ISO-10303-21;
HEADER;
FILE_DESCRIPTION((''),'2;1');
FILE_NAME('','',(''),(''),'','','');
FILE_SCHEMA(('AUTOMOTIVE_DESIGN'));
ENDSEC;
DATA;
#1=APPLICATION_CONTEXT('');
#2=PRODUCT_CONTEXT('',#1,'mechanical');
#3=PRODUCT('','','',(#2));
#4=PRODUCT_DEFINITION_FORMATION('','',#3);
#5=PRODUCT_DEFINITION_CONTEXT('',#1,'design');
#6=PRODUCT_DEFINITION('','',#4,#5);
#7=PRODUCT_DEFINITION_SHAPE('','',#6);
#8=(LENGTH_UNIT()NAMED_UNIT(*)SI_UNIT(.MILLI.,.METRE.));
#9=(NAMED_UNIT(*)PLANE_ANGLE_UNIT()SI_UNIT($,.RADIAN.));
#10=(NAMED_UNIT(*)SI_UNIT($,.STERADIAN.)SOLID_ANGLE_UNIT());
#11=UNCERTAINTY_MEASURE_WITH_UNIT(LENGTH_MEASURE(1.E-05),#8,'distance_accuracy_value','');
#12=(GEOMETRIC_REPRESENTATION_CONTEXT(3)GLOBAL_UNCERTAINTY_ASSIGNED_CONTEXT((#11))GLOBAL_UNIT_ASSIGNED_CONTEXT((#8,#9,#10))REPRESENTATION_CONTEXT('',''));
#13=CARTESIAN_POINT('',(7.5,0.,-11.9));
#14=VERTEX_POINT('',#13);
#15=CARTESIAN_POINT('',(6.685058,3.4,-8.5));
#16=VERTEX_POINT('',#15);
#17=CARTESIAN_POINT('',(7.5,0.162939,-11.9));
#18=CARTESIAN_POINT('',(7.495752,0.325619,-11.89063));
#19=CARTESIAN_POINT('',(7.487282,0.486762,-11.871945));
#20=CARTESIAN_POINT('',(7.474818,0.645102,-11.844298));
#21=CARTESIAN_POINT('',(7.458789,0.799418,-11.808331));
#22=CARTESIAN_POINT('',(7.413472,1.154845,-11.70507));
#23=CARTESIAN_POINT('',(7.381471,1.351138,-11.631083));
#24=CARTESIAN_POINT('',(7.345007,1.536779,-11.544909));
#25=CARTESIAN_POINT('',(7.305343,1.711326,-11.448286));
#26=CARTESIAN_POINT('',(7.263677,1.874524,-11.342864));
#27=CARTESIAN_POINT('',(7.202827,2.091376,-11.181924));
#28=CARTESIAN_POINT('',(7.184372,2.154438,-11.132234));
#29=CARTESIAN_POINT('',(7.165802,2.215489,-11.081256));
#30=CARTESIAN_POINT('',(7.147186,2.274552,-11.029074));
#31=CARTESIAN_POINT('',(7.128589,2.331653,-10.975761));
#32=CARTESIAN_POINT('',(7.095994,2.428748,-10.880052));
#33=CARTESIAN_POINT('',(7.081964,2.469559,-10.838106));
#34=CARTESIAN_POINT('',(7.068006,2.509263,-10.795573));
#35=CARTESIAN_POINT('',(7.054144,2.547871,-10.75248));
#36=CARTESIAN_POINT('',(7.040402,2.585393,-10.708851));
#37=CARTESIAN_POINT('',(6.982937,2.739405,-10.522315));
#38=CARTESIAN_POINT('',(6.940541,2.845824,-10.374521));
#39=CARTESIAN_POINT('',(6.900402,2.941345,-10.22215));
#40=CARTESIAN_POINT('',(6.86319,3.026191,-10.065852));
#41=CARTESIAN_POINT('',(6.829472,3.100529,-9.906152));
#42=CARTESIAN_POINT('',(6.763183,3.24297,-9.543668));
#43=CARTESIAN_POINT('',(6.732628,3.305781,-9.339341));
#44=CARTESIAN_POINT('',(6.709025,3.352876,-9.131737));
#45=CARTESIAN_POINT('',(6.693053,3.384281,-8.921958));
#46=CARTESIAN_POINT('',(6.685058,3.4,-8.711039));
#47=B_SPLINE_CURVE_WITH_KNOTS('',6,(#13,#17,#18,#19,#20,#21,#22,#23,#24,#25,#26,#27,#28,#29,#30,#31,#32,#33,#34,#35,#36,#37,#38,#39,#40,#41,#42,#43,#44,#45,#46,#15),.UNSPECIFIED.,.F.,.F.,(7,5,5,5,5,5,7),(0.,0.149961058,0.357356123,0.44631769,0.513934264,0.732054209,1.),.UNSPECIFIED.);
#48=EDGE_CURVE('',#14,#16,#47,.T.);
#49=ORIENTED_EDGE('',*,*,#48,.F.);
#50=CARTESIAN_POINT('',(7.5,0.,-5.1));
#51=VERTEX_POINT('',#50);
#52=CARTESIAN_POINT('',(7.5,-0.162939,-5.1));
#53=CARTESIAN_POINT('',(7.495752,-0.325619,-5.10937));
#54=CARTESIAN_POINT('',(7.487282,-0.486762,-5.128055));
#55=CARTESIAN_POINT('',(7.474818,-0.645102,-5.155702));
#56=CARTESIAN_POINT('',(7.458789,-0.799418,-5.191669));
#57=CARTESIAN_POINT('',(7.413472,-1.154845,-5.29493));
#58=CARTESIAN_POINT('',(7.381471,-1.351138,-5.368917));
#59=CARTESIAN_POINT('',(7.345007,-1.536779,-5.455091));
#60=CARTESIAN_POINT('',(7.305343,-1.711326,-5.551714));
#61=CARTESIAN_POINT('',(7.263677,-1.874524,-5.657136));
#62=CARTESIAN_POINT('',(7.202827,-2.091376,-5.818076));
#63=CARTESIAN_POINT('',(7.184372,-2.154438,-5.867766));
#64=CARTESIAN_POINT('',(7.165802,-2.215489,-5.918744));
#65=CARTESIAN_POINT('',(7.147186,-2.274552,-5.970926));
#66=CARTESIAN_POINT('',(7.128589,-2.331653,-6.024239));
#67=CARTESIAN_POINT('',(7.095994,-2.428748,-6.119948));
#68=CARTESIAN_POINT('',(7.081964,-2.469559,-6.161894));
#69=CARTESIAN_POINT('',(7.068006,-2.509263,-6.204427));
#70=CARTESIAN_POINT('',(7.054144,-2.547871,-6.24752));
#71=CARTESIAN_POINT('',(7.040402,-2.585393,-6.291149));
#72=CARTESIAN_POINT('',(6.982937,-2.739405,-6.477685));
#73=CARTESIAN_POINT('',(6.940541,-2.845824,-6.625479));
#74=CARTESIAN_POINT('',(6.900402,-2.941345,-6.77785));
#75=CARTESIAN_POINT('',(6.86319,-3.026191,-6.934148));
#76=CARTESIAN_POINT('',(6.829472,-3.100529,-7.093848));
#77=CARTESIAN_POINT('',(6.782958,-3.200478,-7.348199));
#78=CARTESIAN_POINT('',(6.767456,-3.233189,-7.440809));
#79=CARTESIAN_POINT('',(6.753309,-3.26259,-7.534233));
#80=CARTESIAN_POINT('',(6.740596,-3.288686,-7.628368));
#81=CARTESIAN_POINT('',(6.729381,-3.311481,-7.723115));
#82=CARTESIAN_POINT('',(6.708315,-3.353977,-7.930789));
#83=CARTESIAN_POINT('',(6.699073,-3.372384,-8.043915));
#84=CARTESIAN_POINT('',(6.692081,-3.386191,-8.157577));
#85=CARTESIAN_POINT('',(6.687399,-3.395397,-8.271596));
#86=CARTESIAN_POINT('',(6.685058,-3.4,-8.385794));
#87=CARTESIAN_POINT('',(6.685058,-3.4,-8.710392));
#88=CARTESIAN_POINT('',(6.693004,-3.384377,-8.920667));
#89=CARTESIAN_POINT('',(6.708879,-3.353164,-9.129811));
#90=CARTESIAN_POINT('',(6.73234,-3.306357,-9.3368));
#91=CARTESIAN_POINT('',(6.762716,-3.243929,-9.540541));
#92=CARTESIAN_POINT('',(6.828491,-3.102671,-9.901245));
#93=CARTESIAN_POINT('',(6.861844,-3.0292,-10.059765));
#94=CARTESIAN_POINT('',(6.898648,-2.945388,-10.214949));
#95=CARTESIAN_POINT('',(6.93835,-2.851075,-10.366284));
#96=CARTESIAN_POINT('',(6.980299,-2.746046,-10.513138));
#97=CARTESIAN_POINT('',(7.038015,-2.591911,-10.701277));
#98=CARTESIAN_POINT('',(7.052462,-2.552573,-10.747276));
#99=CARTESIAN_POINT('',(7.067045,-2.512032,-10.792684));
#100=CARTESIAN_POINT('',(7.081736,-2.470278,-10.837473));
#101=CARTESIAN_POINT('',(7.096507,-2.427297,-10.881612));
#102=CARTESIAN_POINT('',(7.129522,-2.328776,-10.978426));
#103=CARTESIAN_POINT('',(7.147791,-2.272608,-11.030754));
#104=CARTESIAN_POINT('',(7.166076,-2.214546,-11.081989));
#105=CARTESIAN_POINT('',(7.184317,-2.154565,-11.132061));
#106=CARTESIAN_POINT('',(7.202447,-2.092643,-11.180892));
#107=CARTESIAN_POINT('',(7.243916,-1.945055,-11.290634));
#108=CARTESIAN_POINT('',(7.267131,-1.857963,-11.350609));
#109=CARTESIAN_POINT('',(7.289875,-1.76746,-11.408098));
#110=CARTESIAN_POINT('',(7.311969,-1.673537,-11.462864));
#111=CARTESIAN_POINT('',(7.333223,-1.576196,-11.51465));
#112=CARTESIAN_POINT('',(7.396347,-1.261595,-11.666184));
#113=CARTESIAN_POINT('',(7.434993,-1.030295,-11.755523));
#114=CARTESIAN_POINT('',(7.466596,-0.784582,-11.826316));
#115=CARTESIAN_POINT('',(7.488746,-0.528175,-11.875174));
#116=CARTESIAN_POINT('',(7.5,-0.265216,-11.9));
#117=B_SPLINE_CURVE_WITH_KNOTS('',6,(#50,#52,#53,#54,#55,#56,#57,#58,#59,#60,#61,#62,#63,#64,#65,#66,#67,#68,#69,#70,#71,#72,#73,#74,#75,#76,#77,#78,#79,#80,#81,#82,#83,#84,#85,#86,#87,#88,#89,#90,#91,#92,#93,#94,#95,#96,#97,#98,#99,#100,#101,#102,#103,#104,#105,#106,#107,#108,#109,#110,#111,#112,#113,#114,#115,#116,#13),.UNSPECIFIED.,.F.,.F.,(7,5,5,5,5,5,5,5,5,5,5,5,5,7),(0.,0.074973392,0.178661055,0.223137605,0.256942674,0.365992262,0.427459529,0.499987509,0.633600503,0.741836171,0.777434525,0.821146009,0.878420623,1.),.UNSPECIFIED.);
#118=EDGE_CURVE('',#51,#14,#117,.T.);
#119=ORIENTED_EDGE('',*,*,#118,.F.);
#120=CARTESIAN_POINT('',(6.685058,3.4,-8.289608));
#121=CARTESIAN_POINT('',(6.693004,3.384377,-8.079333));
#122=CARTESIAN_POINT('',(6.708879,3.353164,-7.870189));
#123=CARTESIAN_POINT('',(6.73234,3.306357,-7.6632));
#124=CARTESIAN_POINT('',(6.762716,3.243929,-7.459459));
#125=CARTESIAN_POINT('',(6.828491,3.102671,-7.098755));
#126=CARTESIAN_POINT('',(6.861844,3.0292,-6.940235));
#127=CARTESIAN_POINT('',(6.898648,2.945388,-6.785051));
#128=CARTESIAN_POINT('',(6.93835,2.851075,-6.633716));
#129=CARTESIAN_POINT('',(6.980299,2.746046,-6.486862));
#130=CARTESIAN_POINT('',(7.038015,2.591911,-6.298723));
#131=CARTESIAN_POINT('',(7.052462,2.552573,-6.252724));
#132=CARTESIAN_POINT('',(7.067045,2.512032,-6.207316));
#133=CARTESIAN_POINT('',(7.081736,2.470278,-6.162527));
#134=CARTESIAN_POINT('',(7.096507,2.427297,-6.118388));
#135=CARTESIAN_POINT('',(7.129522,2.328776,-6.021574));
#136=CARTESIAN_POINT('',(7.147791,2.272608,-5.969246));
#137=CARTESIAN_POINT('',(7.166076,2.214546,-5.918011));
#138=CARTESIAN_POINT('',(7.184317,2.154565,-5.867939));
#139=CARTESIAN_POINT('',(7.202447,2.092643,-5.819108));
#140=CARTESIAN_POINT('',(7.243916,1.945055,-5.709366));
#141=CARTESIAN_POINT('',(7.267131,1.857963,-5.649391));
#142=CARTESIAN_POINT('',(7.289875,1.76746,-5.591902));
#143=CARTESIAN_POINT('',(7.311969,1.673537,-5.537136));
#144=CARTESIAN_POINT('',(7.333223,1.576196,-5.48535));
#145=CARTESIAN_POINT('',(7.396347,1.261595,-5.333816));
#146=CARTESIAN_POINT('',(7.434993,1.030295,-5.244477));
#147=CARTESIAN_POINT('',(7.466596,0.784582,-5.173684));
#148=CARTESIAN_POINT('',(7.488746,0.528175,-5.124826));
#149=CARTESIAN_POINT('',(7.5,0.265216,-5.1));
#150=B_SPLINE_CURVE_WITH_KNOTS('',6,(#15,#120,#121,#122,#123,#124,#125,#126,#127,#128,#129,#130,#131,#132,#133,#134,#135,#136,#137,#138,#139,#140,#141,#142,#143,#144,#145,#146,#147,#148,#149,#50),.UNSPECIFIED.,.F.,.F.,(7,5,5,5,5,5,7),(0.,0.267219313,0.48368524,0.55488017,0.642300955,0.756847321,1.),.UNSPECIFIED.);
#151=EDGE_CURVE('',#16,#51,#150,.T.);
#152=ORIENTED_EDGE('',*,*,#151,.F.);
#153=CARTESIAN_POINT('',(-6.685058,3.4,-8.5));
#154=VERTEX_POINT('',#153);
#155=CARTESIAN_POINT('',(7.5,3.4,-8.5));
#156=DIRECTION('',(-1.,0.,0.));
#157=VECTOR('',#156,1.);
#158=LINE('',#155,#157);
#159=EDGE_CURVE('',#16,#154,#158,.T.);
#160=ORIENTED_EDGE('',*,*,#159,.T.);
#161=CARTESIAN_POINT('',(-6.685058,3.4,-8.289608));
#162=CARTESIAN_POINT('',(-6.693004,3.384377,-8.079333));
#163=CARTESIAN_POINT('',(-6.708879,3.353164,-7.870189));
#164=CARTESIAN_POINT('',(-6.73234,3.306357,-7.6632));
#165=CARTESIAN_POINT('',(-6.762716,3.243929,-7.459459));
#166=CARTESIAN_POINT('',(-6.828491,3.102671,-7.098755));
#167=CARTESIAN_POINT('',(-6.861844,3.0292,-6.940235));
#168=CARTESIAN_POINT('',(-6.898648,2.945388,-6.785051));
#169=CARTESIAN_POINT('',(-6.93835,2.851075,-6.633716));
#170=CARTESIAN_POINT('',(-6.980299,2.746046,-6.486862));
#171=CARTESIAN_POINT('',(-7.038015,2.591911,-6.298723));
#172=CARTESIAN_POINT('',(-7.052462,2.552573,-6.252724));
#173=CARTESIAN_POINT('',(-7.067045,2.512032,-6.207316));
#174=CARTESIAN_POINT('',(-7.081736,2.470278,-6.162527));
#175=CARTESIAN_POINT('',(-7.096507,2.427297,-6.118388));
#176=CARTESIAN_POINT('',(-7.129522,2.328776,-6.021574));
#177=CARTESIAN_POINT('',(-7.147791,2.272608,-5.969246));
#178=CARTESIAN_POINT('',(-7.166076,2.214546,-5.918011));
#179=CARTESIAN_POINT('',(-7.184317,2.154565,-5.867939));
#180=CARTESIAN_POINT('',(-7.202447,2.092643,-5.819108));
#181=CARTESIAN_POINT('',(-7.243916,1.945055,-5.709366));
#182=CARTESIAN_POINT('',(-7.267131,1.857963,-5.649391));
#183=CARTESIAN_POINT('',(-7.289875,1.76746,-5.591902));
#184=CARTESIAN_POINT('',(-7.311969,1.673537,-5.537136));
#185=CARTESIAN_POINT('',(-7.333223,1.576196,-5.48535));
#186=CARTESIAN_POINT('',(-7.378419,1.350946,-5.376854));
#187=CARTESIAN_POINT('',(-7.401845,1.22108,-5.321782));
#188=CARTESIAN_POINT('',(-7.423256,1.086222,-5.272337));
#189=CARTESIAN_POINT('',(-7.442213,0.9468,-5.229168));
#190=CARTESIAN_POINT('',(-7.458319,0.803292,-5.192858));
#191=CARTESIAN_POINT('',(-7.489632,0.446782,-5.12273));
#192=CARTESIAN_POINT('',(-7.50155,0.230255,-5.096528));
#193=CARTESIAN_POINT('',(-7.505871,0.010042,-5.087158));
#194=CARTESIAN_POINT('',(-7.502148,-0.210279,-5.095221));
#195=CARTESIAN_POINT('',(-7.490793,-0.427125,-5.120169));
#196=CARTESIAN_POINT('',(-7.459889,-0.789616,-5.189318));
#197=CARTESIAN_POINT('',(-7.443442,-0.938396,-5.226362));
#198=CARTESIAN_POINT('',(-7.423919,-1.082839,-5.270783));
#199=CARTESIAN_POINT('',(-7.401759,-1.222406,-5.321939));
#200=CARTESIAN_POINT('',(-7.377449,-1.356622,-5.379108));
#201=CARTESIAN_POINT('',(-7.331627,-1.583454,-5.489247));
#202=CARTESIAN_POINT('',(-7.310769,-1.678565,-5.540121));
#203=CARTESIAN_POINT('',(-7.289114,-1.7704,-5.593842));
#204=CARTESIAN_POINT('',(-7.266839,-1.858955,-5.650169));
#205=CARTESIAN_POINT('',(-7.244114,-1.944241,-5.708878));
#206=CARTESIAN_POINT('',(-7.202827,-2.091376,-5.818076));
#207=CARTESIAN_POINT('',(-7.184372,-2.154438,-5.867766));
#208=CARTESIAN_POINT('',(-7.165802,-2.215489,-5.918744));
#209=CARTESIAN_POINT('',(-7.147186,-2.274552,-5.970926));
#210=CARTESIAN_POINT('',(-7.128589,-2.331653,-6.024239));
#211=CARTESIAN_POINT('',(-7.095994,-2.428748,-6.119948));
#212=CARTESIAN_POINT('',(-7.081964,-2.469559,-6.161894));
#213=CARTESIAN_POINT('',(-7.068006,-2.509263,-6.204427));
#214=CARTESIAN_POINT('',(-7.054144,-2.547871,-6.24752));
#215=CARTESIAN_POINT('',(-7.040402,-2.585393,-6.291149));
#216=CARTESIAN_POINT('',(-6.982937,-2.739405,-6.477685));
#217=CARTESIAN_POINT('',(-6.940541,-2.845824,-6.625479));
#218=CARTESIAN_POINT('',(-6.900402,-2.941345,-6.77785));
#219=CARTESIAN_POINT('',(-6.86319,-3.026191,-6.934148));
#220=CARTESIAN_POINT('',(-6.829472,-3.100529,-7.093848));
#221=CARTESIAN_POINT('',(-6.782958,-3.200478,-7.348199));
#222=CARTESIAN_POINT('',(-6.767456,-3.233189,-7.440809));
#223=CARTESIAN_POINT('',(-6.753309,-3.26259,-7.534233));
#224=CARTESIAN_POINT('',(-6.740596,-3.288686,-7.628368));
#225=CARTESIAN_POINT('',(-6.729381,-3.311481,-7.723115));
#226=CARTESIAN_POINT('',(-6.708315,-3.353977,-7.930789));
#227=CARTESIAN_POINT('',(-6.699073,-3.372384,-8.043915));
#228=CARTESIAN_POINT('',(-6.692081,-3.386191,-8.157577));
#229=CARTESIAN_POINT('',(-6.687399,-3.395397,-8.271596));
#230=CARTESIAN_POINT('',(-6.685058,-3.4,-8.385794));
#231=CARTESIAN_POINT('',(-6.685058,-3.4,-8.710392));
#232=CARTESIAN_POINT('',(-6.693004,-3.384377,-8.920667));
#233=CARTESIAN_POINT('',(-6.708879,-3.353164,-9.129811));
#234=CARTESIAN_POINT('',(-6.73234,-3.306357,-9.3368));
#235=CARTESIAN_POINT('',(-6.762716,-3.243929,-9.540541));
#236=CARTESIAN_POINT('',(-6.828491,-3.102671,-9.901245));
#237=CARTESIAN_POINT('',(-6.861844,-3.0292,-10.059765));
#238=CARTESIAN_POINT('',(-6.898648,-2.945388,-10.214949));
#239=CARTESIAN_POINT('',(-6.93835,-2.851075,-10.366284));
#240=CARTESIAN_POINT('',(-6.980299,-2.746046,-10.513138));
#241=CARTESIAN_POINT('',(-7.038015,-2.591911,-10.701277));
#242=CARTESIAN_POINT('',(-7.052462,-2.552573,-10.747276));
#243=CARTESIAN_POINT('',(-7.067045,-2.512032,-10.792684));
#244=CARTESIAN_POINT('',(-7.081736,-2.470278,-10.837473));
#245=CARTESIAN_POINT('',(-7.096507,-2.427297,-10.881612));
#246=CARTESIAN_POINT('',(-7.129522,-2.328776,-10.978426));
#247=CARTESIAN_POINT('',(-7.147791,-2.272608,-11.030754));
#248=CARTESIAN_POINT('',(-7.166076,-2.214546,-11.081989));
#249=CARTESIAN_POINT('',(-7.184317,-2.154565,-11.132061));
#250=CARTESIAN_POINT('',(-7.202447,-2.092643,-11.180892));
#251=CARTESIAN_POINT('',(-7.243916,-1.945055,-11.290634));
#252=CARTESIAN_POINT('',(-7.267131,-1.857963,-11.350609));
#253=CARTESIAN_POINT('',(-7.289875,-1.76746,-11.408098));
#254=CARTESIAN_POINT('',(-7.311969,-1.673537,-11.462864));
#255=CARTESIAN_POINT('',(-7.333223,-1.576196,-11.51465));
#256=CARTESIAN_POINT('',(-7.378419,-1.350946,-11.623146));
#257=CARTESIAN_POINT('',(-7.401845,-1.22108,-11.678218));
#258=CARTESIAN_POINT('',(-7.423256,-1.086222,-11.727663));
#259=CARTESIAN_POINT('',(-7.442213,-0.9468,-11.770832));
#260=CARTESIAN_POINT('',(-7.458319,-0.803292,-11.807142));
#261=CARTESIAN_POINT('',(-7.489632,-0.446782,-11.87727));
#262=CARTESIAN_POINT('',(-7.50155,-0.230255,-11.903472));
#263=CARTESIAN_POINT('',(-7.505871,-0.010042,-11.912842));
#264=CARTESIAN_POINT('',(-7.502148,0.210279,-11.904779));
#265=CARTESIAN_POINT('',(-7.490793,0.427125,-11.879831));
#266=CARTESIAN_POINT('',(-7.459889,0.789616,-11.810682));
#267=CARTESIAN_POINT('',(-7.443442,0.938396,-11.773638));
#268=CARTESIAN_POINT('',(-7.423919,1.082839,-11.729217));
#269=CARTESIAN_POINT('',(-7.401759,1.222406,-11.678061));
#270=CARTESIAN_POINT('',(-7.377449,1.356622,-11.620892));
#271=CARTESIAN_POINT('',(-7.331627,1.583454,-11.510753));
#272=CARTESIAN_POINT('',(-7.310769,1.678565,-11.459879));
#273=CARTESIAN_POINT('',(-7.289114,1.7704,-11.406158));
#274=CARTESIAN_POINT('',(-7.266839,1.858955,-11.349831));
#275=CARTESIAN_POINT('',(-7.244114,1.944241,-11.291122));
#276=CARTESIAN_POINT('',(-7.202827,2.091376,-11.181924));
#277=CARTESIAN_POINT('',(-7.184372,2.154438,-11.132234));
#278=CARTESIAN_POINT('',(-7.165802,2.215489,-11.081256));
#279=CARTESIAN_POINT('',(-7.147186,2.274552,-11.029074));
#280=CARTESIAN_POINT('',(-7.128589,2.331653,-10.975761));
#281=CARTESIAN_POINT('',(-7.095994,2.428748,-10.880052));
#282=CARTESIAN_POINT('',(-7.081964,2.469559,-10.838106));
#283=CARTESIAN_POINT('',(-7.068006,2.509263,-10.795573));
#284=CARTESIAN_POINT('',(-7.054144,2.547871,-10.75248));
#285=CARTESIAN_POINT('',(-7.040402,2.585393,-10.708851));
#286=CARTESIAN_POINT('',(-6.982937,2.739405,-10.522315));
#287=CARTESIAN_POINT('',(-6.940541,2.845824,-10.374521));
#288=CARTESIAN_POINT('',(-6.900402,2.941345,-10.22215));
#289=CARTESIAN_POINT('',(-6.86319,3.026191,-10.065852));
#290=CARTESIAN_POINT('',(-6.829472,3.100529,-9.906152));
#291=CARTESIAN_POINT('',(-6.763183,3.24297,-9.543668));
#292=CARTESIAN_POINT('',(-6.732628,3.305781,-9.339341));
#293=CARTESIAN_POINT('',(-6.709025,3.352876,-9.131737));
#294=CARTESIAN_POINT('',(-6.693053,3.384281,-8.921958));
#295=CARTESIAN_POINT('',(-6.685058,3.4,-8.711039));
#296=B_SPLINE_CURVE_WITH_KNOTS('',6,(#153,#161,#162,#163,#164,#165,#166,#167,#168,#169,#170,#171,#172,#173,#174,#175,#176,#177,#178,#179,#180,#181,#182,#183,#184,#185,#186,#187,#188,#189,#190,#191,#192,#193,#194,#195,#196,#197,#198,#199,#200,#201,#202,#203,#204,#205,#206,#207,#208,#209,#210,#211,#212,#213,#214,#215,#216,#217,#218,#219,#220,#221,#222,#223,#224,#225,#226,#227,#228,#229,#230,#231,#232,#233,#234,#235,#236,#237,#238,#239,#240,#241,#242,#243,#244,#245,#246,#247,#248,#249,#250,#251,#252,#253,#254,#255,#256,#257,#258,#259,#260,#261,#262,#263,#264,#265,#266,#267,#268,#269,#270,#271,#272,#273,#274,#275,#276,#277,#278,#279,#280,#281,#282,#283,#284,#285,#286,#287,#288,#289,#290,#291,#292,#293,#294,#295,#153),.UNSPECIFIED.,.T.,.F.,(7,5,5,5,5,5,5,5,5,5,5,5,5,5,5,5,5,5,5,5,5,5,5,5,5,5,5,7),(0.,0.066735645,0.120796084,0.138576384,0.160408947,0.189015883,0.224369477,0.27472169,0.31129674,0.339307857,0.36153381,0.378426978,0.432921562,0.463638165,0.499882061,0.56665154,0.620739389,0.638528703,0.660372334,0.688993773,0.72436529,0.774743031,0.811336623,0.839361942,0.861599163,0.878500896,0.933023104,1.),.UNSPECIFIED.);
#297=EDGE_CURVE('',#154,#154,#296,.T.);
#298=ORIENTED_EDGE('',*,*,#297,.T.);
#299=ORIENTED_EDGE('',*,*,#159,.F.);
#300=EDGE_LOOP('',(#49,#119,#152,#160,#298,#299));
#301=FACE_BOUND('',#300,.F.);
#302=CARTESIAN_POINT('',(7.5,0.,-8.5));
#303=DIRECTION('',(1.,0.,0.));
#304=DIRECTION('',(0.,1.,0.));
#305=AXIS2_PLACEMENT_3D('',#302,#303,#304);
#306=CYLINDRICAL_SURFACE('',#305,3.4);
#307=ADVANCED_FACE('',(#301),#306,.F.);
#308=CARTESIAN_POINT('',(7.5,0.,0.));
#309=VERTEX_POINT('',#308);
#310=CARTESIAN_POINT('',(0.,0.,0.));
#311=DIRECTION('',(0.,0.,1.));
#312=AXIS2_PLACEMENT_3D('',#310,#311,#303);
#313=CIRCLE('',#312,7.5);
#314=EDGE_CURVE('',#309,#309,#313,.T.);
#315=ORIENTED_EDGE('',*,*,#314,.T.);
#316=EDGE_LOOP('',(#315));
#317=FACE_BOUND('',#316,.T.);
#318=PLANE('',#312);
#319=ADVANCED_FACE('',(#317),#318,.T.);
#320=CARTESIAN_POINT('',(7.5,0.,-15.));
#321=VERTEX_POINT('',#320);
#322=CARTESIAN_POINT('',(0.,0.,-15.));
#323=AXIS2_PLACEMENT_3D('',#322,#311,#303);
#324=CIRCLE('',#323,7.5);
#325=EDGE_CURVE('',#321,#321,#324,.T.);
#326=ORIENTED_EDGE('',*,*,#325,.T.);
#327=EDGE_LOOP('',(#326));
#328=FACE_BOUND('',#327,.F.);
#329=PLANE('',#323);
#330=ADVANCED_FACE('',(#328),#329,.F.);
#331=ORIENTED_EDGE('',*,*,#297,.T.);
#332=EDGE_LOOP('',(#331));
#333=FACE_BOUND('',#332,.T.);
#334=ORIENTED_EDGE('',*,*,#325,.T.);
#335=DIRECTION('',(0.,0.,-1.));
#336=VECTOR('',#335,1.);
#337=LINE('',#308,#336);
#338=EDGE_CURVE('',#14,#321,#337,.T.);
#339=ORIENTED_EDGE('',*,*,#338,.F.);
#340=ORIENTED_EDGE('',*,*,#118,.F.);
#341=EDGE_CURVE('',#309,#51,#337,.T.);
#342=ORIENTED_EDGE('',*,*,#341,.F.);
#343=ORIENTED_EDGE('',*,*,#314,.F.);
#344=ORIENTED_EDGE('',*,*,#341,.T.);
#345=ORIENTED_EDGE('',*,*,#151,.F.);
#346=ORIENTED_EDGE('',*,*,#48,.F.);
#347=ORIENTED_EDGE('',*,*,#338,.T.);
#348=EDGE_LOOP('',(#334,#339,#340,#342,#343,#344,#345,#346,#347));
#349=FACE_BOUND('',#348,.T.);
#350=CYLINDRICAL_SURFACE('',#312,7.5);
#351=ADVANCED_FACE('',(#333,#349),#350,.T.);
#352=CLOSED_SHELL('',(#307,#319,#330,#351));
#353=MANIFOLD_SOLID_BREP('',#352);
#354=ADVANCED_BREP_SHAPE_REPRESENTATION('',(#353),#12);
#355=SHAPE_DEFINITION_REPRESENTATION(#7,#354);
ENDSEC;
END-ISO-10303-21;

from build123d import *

# Parameters (mm, degrees)
F0_R     = 7.5
F1_DEPTH = 15
F3_R     = 3.4
F4_DEPTH = 15.001


with BuildPart() as f1:
    # F0 (on Top) → F1 (new body)
    with BuildSketch(Plane.XY):
        Circle(F0_R)
    extrude(amount=-F1_DEPTH)

    # F3 (on offset) → F4 (cut, through all)
    with BuildSketch(Plane.YZ.offset(7.5)):
        with Locations((0, -8.5)):
            Circle(F3_R)
    extrude(amount=-F4_DEPTH, mode=Mode.SUBTRACT)


solid = f1.part
